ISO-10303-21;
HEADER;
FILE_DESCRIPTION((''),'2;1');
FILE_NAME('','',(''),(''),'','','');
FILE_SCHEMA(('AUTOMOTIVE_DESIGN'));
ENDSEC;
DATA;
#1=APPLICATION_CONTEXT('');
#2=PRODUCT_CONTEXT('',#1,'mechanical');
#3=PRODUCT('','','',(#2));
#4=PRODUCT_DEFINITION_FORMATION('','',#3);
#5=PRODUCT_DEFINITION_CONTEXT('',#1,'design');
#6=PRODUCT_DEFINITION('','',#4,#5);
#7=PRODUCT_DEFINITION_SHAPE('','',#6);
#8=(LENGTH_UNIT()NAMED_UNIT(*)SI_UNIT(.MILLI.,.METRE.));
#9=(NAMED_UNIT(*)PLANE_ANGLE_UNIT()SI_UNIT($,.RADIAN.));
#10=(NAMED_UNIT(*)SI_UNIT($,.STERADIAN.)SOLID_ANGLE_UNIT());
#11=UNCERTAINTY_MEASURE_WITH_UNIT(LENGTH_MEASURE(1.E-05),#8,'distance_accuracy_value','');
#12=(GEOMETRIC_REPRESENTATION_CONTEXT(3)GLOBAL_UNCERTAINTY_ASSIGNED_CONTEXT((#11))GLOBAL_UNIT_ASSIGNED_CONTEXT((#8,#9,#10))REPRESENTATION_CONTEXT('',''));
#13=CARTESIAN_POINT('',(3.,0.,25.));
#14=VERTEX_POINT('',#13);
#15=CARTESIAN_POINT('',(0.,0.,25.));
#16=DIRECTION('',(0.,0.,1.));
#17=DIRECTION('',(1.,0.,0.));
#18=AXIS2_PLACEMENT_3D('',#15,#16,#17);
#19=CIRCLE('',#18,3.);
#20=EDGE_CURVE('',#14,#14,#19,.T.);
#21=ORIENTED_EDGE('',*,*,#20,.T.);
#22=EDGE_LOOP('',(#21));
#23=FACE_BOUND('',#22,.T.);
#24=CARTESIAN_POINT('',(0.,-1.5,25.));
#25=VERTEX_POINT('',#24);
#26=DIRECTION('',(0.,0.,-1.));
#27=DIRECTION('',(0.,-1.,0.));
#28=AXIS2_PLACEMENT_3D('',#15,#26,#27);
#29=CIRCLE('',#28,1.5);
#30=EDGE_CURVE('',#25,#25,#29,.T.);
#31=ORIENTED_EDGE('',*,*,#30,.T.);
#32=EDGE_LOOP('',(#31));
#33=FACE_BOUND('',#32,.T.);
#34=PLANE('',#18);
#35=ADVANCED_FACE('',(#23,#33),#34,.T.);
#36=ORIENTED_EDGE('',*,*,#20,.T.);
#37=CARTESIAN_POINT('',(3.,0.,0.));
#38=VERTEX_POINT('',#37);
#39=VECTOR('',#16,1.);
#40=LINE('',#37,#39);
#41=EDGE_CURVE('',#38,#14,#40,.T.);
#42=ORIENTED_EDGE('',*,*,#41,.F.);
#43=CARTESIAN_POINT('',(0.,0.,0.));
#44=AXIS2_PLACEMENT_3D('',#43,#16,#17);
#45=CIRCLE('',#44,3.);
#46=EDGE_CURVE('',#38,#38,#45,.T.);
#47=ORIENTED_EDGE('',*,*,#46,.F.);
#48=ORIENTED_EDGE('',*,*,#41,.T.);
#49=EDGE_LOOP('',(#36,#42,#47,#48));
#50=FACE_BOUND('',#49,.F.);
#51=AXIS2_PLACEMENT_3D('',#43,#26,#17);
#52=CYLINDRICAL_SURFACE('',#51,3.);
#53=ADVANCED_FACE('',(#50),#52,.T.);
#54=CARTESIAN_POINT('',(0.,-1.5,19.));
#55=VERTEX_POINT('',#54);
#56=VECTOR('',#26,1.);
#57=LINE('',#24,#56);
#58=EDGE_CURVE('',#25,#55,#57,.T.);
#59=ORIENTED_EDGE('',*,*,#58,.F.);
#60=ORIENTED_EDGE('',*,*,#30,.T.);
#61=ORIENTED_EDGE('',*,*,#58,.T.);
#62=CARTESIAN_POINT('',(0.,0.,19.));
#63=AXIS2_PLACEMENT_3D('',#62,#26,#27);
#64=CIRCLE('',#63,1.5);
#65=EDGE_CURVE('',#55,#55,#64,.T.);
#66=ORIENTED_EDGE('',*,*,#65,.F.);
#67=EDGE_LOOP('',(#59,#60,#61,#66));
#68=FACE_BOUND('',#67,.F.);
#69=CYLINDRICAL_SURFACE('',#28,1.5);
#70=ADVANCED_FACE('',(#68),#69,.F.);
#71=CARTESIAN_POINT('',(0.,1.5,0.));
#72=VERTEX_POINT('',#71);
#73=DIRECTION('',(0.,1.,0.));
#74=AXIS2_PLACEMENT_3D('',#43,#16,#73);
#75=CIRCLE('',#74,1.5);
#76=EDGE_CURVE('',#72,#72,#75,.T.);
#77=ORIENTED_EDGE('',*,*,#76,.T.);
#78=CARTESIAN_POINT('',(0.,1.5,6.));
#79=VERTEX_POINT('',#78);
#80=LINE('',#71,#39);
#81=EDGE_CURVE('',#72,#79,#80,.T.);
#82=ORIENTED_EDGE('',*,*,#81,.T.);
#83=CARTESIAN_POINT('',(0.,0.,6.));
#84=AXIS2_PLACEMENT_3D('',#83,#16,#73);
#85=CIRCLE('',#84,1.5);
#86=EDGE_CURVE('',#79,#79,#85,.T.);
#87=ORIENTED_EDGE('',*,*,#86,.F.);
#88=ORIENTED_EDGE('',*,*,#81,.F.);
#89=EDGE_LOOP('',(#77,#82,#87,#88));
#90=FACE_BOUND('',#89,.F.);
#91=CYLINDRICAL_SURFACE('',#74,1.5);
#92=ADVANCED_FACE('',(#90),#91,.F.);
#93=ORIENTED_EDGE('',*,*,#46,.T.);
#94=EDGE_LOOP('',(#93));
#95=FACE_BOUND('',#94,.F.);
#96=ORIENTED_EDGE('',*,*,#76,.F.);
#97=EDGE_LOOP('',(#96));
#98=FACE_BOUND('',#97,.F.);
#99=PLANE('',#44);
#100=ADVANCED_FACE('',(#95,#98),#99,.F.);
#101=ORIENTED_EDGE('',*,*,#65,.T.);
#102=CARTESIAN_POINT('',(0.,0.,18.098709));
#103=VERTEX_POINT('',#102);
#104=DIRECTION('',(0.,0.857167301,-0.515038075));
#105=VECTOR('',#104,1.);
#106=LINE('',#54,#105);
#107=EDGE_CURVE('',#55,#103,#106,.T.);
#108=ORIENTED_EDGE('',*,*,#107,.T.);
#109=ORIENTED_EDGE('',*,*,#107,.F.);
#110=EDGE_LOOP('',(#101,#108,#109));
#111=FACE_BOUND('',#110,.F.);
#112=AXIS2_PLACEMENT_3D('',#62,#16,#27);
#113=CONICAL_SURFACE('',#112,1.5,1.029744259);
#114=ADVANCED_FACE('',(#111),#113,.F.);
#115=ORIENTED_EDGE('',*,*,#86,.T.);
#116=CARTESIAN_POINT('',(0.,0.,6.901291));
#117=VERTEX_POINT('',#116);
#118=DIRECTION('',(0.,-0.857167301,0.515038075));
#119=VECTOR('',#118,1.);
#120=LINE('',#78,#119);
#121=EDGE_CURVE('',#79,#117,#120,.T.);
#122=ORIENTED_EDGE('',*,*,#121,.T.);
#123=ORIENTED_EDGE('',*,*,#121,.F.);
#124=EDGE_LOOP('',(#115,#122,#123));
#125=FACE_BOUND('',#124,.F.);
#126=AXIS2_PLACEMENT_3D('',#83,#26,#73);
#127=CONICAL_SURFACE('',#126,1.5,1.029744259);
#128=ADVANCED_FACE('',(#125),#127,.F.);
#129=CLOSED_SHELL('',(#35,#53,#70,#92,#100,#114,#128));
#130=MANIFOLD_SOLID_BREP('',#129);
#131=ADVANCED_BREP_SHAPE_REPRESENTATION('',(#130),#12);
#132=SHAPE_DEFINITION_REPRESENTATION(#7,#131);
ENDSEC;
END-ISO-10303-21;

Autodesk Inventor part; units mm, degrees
ref_plane "YZ Plane" through (0, 0, 0) normal (1, 0, 0) x (0, 1, 0)
ref_plane "XZ Plane" through (0, 0, 0) normal (0, 1, 0) x (-1, 0, 0)
ref_plane "XY Plane" through (0, 0, 0) normal (0, 0, 1) x (1, 0, 0)
sketch "スケッチ1" plane through (0, 0, 0) normal (0, 0, 1) x (1, 0, 0)
  circle A0 centre (0, 0) radius 3
  dimension "d0" = 6
extrude "押し出し1" add sketch "スケッチ1" along normal blind 25
hole "穴1" at (0, 0, 0) direction (0, 0, 1) diameter 3 depth 6 tip angle 118
sketch "スケッチ2" plane through (0, 0, 25) normal (0, 0, 1) x (1, 0, 0)
  circle A0 centre (0, 0) radius 3 projected
hole "穴2" at (0, 0, 25) direction (0, 0, -1) diameter 3 depth 6 tip angle 118
properties part number "スペーサ　m3-l25" material "アルミニウム 2014-T4"
